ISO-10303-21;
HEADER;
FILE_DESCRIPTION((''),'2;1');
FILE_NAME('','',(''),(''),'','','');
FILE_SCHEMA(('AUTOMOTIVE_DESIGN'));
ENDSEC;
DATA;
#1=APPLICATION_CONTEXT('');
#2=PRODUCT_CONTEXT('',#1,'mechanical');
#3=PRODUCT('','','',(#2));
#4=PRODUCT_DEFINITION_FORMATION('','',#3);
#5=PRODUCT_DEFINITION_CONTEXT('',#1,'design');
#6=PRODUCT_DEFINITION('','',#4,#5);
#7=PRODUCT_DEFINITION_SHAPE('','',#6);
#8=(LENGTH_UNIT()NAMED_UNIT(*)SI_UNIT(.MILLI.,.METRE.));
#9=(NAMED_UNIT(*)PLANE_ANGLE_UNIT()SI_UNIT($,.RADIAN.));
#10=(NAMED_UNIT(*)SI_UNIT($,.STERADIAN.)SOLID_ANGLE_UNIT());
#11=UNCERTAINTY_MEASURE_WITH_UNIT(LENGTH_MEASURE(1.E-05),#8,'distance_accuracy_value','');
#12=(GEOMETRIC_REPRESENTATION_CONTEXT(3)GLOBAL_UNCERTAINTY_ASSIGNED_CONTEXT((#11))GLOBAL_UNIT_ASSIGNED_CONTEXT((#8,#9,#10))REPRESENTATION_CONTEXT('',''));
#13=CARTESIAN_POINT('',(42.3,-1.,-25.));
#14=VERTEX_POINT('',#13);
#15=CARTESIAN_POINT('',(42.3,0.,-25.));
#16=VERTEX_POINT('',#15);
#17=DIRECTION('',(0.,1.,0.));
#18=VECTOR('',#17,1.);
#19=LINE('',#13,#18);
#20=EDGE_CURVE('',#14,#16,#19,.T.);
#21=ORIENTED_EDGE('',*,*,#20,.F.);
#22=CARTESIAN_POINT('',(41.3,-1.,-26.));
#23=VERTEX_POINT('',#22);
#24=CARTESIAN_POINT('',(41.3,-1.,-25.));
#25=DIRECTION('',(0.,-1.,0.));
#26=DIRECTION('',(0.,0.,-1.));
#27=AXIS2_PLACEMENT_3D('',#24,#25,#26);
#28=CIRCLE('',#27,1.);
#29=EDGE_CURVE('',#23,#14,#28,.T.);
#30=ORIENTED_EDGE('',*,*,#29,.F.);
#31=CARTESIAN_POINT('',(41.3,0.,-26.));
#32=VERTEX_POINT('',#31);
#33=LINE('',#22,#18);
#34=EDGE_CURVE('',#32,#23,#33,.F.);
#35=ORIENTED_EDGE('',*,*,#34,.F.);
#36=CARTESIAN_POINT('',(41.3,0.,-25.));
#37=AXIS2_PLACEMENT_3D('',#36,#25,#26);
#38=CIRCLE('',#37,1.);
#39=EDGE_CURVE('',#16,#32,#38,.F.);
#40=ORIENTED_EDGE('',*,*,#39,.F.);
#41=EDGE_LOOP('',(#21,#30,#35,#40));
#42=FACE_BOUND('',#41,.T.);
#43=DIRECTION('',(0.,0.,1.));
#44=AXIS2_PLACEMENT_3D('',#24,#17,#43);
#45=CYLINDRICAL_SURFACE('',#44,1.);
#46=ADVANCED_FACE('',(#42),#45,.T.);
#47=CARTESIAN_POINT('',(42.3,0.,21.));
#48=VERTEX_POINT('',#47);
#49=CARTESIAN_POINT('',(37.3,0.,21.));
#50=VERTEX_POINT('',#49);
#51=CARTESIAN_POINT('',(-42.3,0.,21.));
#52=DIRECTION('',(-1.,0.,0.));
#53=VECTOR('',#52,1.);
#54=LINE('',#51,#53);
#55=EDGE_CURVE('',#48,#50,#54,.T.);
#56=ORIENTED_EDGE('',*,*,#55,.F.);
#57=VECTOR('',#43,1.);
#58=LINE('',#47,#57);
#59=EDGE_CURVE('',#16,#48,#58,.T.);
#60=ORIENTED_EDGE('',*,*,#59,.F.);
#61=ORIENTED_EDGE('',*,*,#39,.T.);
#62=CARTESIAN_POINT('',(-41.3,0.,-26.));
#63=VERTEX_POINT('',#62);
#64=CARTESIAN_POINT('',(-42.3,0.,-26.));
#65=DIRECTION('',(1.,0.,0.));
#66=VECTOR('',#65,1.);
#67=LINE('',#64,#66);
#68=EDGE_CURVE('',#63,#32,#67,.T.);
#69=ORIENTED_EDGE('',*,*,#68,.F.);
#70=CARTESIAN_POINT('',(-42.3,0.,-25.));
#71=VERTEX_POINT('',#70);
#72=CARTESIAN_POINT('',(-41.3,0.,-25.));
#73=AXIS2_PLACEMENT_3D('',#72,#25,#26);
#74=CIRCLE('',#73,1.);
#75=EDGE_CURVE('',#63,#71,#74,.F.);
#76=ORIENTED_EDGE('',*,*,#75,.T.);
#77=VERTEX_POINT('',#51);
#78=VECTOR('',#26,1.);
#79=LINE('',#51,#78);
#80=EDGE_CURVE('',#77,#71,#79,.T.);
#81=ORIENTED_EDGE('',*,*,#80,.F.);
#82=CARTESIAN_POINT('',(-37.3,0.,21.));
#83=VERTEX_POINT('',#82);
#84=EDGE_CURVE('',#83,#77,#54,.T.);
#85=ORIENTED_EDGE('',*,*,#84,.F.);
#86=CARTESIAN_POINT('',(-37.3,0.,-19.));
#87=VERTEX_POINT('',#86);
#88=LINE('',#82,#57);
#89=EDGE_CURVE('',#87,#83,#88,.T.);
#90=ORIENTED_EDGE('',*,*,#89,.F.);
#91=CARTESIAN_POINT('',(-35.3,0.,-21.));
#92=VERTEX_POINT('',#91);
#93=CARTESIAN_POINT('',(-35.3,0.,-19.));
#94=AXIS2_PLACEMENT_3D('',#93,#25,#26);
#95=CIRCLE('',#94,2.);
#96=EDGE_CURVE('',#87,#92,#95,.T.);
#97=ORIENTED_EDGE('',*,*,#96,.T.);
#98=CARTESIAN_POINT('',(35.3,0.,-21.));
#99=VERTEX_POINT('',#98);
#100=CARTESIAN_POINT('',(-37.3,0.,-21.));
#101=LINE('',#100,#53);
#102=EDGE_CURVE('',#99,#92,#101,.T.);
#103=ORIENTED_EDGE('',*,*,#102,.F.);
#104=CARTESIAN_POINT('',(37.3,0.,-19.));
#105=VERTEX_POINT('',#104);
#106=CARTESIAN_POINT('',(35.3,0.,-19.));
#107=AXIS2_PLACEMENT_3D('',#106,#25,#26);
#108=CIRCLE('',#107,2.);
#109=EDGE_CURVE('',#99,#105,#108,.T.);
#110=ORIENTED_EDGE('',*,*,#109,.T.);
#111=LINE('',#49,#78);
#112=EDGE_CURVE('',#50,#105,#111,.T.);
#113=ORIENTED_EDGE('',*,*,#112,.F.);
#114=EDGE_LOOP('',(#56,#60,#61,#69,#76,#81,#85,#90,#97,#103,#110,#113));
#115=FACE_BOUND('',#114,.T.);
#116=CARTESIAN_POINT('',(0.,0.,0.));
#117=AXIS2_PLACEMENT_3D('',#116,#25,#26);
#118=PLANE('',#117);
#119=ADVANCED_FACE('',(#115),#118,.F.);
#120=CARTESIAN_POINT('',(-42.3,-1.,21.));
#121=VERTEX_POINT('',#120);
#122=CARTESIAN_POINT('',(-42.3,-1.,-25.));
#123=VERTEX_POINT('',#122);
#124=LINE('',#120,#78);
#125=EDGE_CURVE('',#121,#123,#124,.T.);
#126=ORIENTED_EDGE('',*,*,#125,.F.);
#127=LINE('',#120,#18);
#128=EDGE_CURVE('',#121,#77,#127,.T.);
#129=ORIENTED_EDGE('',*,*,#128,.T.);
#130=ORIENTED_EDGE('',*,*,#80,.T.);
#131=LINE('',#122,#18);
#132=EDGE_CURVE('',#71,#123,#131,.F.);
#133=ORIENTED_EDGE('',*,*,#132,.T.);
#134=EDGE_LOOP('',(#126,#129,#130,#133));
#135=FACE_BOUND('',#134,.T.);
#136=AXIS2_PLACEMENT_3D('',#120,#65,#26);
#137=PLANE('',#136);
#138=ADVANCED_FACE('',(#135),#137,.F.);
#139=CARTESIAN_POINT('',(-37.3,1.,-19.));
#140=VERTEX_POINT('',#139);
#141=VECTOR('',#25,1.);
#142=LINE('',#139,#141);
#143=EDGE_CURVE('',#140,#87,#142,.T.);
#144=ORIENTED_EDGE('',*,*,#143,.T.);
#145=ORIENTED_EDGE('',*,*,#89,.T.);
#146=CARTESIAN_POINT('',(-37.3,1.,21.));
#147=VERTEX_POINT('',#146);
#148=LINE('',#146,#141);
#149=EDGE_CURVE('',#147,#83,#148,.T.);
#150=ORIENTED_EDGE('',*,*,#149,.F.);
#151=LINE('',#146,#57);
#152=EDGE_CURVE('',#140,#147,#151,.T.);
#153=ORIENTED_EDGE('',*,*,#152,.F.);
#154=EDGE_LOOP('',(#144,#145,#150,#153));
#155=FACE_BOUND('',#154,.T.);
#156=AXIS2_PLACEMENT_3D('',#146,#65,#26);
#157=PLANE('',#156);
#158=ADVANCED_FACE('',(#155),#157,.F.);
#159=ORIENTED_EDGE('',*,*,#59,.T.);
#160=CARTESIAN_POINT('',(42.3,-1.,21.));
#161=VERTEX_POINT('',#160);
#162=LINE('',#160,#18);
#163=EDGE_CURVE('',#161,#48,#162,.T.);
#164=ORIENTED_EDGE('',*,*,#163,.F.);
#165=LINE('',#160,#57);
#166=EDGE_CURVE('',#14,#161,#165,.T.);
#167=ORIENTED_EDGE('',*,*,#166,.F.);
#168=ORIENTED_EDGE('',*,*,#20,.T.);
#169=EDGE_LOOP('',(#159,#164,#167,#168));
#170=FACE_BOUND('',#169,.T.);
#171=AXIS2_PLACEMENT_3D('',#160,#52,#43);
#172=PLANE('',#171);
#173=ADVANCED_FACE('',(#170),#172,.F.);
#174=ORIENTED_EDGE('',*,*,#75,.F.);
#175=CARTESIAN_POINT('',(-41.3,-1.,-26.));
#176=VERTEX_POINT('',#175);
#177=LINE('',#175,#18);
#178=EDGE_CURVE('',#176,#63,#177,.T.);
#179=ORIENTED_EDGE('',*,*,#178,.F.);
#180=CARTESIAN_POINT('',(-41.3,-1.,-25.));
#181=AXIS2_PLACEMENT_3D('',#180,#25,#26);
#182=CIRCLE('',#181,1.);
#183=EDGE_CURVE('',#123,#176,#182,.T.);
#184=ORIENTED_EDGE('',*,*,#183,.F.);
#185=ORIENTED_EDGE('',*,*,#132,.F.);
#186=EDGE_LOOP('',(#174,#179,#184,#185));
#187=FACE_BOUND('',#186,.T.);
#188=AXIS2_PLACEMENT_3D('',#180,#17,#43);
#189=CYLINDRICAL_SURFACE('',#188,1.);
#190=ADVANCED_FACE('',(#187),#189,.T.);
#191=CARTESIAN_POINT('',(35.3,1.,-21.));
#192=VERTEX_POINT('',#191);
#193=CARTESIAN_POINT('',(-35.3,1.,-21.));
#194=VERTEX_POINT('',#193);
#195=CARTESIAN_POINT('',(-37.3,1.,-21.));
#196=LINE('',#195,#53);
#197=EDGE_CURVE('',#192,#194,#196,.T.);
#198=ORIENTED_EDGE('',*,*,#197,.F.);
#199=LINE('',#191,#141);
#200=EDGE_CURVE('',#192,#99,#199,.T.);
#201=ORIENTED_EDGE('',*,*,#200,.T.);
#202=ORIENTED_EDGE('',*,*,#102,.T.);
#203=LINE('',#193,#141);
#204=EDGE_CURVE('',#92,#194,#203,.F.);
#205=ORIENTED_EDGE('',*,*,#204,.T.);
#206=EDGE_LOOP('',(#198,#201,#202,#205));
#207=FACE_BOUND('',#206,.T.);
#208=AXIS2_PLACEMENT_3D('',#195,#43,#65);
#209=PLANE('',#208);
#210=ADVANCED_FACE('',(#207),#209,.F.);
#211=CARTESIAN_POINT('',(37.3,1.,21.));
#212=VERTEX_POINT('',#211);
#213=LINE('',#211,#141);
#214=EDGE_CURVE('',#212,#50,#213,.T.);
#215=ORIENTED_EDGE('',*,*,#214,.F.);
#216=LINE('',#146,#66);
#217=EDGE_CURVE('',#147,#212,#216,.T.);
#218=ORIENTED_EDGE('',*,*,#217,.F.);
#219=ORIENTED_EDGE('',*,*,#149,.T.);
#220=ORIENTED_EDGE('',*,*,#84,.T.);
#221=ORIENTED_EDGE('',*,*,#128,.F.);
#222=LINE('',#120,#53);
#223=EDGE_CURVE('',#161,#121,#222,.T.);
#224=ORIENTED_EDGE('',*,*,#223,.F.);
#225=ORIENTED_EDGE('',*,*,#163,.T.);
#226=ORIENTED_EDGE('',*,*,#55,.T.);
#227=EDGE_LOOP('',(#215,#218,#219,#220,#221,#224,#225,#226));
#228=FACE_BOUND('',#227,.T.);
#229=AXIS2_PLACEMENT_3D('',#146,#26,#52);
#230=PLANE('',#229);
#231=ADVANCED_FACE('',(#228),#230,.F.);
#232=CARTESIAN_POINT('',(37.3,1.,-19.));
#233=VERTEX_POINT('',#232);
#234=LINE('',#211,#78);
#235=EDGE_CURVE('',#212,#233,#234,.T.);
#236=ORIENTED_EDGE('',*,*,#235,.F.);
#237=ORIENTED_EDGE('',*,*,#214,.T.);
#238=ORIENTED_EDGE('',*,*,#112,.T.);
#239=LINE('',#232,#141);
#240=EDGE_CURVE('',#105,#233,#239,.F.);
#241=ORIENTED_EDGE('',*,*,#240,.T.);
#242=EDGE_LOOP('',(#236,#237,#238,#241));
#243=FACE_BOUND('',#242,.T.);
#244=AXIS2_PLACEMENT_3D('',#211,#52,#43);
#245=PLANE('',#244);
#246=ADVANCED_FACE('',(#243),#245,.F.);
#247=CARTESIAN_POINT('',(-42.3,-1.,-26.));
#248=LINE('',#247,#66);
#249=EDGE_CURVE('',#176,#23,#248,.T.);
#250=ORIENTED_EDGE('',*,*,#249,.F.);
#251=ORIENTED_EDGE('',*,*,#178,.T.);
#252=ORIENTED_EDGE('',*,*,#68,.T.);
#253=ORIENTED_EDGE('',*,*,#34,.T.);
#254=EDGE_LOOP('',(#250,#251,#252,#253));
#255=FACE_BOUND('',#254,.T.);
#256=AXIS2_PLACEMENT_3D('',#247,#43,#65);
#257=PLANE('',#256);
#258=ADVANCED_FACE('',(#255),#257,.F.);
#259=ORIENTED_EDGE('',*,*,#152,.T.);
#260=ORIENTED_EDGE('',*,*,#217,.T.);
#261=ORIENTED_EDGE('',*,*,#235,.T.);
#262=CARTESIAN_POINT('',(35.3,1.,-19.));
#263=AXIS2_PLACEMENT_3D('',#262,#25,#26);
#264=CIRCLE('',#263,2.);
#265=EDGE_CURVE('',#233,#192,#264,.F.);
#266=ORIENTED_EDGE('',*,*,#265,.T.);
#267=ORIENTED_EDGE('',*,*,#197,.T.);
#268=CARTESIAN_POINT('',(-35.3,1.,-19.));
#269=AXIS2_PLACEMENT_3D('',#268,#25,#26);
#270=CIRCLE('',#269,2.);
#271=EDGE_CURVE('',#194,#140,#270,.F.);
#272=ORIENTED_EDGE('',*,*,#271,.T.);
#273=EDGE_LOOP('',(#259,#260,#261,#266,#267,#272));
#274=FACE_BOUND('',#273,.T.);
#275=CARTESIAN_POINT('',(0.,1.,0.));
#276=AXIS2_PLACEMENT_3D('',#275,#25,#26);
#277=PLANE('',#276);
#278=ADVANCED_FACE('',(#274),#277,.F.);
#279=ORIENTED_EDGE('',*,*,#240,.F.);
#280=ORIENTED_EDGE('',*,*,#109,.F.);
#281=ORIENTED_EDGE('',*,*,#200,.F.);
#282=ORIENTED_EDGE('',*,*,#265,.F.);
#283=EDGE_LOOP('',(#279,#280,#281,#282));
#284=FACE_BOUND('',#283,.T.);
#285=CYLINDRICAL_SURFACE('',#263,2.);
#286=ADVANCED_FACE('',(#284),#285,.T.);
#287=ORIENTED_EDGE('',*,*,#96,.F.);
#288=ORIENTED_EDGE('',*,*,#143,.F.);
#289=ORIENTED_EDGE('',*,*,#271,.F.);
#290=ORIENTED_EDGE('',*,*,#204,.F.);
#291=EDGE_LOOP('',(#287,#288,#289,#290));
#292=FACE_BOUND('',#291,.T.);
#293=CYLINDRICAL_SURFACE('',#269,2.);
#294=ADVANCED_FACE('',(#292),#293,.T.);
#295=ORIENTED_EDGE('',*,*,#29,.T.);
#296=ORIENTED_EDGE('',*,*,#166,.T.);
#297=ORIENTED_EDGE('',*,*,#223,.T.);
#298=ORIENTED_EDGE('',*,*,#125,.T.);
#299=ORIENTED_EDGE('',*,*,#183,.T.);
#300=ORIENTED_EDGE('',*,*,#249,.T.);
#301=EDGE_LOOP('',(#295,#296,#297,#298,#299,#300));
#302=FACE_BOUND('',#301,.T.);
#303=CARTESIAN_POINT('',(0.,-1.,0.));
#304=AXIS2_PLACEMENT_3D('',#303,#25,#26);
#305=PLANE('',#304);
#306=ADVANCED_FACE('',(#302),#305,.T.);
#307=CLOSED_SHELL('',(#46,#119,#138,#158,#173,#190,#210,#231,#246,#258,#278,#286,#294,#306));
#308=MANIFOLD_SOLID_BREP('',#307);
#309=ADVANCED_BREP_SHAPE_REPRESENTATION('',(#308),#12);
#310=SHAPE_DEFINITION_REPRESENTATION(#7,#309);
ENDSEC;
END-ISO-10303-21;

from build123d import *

# Parameters (mm, degrees)
SKETCH_1_W      = 74.6
SKETCH_1_H      = 42
EXTRUDE_1_DEPTH = 1
FILLET_1_R      = 2
SKETCH_2_W      = 84.6
SKETCH_2_H      = 47
EXTRUDE_2_DEPTH = 1
FILLET_2_R      = 1


with BuildPart() as part:
    # Эскиз1 → Бобышка-Вытянуть1 (new body)
    with BuildSketch(Plane(origin=(0, 0, 0), x_dir=(1, 0, 0), z_dir=(0, 1, 0))):
        Rectangle(SKETCH_1_W, SKETCH_1_H)
    extrude(amount=EXTRUDE_1_DEPTH)

    # Скругление1
    fillet_1_edges = [part.edges().sort_by_distance(p)[0] for p in [
        (-37.3, 0.5, -21),
        (37.3, 0.5, -21),
    ]]
    fillet(fillet_1_edges, radius=FILLET_1_R)

    # Эскиз2 → Бобышка-Вытянуть2 (add)
    with BuildSketch(Plane.XZ):
        with Locations((0, -2.5)):
            Rectangle(SKETCH_2_W, SKETCH_2_H)
    extrude(amount=EXTRUDE_2_DEPTH)

    # Скругление2
    fillet_2_edges = [part.edges().sort_by_distance(p)[0] for p in [
        (-42.3, -0.5, -26),
        (42.3, -0.5, -26),
    ]]
    fillet(fillet_2_edges, radius=FILLET_2_R)


solid = part.part
